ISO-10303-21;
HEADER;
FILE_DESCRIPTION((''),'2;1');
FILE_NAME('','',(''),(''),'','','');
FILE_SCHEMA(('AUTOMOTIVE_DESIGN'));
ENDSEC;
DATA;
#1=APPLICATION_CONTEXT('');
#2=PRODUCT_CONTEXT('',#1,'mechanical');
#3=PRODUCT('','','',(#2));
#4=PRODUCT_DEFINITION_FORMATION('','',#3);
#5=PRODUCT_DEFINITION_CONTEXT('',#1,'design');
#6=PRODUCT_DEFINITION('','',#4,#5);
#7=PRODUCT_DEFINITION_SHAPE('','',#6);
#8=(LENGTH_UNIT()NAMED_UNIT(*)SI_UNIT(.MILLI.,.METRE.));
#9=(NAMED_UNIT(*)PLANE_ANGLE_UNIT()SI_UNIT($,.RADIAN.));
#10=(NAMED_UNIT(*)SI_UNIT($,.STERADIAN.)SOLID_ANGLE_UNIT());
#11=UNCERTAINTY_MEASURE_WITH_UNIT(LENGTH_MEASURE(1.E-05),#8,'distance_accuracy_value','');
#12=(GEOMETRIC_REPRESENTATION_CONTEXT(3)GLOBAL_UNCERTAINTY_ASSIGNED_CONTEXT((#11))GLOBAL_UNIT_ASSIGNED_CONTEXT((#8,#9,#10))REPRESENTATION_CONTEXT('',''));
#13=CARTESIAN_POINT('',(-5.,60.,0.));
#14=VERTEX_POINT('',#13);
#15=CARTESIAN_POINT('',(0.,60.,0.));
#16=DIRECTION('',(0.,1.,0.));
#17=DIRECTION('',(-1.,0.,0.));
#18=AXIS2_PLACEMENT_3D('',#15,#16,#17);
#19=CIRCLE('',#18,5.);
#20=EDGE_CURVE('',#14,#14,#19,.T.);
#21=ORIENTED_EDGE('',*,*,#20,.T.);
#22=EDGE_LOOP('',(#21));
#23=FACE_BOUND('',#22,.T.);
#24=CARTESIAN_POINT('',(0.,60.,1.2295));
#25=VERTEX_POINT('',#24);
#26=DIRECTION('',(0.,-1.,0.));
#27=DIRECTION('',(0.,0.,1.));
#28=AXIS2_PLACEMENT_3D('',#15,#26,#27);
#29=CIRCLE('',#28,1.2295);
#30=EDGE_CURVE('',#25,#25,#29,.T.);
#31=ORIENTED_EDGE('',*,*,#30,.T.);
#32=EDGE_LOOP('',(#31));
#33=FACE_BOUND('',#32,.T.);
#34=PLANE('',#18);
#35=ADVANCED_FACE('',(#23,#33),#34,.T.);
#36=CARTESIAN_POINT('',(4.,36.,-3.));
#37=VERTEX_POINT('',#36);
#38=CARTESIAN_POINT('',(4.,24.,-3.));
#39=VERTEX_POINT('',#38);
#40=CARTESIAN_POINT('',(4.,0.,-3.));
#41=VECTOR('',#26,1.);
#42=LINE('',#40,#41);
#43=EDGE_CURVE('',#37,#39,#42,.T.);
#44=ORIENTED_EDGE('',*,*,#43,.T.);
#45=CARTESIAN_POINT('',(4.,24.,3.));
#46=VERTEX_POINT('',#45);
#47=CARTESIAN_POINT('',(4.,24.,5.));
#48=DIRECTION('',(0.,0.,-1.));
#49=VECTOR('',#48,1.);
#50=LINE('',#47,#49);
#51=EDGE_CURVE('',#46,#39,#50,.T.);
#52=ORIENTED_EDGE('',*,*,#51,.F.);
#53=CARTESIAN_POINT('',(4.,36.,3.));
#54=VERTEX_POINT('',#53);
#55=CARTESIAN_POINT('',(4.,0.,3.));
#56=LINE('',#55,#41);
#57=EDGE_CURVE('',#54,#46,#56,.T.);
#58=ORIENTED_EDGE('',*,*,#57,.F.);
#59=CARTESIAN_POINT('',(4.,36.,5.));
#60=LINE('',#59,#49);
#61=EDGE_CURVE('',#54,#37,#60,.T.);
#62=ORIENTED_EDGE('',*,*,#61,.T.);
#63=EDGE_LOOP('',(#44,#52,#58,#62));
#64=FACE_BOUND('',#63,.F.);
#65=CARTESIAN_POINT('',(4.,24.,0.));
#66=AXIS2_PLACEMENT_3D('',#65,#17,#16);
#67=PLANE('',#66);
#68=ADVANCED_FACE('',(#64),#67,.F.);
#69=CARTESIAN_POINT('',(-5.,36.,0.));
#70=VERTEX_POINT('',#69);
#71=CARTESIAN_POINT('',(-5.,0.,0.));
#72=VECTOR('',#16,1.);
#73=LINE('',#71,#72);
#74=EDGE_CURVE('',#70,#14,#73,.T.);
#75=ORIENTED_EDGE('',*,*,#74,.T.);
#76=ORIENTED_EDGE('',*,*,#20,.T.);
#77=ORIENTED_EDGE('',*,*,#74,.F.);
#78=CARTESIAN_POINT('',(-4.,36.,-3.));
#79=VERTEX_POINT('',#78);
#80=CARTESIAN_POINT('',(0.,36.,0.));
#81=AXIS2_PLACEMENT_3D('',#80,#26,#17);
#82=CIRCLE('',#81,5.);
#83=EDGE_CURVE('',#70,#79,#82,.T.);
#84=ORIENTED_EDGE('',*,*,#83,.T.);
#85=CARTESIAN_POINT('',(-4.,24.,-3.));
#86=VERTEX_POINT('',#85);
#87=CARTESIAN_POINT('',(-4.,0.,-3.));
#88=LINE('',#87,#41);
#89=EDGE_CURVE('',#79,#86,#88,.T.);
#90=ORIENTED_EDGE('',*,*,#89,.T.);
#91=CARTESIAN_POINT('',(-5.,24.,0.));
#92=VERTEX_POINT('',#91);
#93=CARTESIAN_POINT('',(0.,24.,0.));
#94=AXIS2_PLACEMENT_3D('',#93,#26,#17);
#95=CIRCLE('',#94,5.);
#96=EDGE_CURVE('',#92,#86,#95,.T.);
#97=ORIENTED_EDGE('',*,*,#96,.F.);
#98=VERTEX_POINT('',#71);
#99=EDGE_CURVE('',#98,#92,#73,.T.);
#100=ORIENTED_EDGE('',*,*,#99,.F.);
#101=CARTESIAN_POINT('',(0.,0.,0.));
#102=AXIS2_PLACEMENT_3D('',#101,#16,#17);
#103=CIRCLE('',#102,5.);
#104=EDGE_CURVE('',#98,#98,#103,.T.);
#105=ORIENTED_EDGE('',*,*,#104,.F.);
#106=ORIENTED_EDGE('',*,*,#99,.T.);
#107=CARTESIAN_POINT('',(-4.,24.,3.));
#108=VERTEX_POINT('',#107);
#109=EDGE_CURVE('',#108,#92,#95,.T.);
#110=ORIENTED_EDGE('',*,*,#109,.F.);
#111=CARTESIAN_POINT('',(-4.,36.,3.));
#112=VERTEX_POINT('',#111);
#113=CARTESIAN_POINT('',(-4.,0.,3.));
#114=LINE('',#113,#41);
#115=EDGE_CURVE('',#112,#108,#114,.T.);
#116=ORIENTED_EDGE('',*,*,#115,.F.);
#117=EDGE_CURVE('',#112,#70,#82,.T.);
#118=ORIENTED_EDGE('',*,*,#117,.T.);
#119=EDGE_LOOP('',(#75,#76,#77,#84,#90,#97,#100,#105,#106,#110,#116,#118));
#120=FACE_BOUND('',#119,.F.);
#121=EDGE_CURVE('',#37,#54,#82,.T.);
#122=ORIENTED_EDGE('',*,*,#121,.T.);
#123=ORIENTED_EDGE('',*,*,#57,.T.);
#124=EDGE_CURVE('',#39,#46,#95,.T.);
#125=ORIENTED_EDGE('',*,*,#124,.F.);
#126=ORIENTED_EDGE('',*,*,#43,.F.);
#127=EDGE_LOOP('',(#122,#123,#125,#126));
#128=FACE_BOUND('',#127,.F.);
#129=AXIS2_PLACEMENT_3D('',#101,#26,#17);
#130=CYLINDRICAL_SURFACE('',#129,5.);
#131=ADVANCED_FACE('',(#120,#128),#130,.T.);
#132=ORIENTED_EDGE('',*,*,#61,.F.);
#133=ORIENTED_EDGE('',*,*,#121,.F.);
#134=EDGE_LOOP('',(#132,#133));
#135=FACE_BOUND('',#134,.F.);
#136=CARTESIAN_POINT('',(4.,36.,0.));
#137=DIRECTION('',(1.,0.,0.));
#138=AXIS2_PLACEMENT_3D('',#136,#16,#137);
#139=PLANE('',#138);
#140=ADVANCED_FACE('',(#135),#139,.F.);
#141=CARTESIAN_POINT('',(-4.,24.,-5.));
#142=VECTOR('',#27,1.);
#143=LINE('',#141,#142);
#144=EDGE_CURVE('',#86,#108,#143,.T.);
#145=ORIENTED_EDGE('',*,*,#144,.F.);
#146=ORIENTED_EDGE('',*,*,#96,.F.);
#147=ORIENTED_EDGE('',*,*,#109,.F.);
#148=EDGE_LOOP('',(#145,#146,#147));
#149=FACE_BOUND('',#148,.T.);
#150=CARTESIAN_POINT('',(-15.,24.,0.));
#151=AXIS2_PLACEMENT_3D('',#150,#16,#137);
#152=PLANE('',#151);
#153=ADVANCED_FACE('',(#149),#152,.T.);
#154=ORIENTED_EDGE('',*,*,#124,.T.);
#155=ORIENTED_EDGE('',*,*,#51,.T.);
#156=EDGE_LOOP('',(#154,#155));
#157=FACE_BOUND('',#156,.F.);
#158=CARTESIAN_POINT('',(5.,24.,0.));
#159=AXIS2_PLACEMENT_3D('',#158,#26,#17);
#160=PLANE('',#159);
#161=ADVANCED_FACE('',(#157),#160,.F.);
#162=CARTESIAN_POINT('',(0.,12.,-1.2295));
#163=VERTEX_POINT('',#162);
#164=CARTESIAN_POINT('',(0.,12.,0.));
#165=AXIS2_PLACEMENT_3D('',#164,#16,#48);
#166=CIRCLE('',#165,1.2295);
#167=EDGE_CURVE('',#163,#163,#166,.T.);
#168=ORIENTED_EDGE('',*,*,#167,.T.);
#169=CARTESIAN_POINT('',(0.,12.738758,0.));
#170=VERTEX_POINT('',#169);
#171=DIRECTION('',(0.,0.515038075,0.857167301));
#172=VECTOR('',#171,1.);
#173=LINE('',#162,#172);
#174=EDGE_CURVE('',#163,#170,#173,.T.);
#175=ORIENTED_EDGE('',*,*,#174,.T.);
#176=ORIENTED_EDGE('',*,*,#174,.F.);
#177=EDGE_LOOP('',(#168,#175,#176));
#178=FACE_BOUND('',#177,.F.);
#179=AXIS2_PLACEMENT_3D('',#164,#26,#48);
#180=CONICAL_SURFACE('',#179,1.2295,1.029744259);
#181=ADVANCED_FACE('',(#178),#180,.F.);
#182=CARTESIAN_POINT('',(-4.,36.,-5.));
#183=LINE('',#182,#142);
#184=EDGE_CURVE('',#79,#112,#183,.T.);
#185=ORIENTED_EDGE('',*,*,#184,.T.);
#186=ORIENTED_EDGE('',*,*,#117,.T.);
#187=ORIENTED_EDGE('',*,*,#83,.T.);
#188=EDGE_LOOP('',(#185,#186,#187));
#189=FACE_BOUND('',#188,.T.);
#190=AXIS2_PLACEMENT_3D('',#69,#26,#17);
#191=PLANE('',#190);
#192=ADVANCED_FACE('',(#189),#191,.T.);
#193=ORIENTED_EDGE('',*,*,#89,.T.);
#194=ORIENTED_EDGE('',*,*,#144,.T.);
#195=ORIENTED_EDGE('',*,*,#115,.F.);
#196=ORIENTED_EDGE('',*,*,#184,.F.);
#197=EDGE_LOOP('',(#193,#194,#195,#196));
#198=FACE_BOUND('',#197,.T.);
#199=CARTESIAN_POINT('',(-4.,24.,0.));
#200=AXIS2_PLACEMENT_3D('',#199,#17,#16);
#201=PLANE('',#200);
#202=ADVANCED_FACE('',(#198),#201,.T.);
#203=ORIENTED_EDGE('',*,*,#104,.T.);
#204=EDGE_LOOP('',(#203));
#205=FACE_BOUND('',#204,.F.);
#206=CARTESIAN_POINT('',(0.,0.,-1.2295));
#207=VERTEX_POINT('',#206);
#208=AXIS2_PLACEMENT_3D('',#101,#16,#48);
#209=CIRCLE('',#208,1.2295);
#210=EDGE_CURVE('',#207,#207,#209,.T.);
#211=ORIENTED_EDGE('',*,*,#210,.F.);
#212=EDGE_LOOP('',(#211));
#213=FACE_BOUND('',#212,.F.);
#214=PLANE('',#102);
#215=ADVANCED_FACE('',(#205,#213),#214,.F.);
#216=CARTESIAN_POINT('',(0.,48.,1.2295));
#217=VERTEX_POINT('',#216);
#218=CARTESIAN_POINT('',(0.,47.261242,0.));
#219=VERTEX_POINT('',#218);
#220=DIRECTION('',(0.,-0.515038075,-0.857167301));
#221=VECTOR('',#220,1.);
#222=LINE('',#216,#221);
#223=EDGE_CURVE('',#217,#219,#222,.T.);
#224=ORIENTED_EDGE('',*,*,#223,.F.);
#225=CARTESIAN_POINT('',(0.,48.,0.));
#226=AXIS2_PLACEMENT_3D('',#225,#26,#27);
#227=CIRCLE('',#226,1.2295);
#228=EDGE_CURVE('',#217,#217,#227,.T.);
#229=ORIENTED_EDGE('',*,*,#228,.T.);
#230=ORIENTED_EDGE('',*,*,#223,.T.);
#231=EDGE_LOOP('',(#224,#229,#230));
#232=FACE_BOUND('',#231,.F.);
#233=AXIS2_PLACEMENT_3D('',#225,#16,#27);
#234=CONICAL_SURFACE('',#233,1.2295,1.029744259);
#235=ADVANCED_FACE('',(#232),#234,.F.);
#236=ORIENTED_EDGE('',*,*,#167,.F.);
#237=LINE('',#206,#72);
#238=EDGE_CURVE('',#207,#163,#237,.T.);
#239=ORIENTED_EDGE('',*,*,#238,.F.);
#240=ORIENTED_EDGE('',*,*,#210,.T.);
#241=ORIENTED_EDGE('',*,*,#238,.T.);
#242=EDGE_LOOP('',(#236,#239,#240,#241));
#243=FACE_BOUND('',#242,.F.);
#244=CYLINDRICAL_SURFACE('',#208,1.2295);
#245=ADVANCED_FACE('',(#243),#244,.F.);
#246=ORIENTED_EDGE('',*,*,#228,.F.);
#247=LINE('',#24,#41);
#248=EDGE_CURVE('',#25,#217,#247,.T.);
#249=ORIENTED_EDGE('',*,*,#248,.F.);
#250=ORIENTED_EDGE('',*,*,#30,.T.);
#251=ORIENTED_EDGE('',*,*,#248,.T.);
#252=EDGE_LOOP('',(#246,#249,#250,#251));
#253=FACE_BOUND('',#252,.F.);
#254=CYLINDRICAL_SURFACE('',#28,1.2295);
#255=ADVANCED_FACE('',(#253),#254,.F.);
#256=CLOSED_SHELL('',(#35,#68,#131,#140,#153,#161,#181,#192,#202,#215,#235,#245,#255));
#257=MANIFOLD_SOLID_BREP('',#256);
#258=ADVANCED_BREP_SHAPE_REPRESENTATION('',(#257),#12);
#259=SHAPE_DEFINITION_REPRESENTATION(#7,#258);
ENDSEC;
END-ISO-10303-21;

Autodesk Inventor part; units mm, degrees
ref_plane "YZ Plane" through (0, 0, 0) normal (1, 0, 0) x (0, 1, 0)
ref_plane "XZ Plane" through (0, 0, 0) normal (0, 1, 0) x (-1, 0, 0)
ref_plane "XY Plane" through (0, 0, 0) normal (0, 0, 1) x (1, 0, 0)
sketch "Sketch1" plane through (0, 0, 0) normal (0, 1, 0) x (-1, 0, 0)
  circle A0 centre (0, 0) radius 5
  dimension "d0" = 10
extrude "Extrusion1" add sketch "Sketch1" along normal blind 60
sketch "Sketch2" plane through (0, 60, 0) normal (0, 1, 0) x (1, 0, 0)
  point P0 (0, 0)
  point P1 (0, 0)
hole "Hole1" at (0, 60, 0) direction (0, -1, 0) diameter 2.459 depth 12 tip angle 118 thread size "M3x0.5" class "6H" standard "ANSI Metric M Profile"
sketch "Sketch3" plane through (0, 0, 0) normal (0, -1, 0) x (1, 0, 0)
  circle A0 centre (0, 0) radius 1.2295 projected
hole "Hole2" at (0, 0, 0) direction (0, 1, 0) diameter 2.459 depth 12 tip angle 118 thread size "M3x0.5" class "6H" standard "ANSI Metric M Profile"
sketch "Sketch4" plane through (0, 0, 0) normal (0, 0, 1) x (1, 0, 0)
  line L0 (-5, 0) -> (-5, 60) projected
  line L1 (5, 0) -> (5, 60) projected
  line L2 (-5, 0) -> (5, 0) projected
  line L3 (5, 60) -> (-5, 60) projected
  line L4 (-5, 24) -> (-4, 24)
  line L5 (-4, 24) -> (-4, 36)
  line L6 (-4, 36) -> (-5, 36)
  line L7 (5, 24) -> (4, 24)
  line L8 (4, 24) -> (4, 36)
  line L9 (4, 36) -> (5, 36)
  line L10 (-5, 36) -> (-15, 36)
  line L11 (-15, 36) -> (-15, 24)
  line L12 (-15, 24) -> (-5, 24)
  line L13 (5, 36) -> (15, 36)
  line L14 (15, 36) -> (15, 24)
  line L15 (15, 24) -> (5, 24)
  point P0 (0, 0)
  point P1 (-4.5, 24)
  dimension "d17" = 60
  dimension "d18" = 12
  dimension "d19" = 24
  dimension "d20" = 1
  dimension "d21" = 1
  dimension "d22" = 10
  dimension "d23" = 10
extrude "Extrusion2" cut sketch "Sketch4" along normal mid plane 10 contours L12 L11 L10 L0 | L0 L6 L5 L4 | L7 L8 L9 L1 | L1 L13 L14 L15
equation "\"d19\" = -0.5 * d18 + 0.5 * d17"
equation "\"d21\" = d20"
equation "\"d23\" = d22"
properties part number "Post-2023-1" material "Copper"
